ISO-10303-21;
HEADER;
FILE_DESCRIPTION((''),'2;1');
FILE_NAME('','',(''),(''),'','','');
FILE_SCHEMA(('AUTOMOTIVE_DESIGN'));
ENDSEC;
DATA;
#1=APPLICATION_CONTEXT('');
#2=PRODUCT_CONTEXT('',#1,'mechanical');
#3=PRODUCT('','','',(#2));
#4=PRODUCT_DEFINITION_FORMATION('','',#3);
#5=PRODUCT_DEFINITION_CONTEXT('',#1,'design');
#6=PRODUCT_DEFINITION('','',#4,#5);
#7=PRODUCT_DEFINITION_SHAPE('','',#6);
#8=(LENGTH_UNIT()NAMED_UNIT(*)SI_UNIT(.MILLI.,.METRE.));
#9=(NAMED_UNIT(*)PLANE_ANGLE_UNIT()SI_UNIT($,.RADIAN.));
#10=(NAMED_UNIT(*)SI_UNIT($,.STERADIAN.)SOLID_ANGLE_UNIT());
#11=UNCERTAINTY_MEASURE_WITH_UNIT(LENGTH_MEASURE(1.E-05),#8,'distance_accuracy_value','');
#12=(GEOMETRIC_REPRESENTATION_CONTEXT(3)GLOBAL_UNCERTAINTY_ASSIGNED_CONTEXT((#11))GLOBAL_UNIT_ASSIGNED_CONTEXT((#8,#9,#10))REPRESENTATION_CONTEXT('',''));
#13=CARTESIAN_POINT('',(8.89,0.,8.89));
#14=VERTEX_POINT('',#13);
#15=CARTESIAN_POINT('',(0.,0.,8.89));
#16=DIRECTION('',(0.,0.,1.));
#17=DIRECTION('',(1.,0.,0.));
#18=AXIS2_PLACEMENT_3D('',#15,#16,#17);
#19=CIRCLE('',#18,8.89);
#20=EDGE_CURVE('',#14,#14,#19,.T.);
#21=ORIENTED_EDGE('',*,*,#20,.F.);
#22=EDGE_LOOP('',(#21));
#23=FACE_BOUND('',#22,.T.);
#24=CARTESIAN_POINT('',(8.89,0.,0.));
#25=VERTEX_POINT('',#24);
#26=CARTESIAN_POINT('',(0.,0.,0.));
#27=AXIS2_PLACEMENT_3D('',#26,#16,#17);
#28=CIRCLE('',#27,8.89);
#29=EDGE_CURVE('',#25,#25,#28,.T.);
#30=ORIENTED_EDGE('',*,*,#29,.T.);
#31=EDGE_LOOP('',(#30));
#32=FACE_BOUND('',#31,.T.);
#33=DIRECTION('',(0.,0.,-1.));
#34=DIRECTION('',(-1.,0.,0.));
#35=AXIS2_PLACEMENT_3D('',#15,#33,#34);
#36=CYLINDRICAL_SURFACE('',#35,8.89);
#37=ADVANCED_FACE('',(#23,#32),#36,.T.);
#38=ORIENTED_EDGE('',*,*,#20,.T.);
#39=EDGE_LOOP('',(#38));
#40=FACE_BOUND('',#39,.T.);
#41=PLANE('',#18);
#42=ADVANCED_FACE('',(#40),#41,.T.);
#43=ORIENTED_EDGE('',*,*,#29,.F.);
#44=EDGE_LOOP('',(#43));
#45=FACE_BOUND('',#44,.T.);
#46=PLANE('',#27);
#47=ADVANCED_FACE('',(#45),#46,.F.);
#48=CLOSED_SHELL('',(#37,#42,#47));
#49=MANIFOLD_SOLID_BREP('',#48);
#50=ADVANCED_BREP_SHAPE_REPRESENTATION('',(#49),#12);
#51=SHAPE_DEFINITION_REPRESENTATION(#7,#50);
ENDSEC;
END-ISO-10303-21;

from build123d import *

# Parameters (mm, degrees)
SKETCH1_R           = 8.89
BOSS_EXTRUDE1_DEPTH = 8.89


with BuildPart() as part:
    # Sketch1 → Boss-Extrude1 (new body)
    with BuildSketch(Plane.XY):
        Circle(SKETCH1_R)
    extrude(amount=BOSS_EXTRUDE1_DEPTH)


solid = part.part
